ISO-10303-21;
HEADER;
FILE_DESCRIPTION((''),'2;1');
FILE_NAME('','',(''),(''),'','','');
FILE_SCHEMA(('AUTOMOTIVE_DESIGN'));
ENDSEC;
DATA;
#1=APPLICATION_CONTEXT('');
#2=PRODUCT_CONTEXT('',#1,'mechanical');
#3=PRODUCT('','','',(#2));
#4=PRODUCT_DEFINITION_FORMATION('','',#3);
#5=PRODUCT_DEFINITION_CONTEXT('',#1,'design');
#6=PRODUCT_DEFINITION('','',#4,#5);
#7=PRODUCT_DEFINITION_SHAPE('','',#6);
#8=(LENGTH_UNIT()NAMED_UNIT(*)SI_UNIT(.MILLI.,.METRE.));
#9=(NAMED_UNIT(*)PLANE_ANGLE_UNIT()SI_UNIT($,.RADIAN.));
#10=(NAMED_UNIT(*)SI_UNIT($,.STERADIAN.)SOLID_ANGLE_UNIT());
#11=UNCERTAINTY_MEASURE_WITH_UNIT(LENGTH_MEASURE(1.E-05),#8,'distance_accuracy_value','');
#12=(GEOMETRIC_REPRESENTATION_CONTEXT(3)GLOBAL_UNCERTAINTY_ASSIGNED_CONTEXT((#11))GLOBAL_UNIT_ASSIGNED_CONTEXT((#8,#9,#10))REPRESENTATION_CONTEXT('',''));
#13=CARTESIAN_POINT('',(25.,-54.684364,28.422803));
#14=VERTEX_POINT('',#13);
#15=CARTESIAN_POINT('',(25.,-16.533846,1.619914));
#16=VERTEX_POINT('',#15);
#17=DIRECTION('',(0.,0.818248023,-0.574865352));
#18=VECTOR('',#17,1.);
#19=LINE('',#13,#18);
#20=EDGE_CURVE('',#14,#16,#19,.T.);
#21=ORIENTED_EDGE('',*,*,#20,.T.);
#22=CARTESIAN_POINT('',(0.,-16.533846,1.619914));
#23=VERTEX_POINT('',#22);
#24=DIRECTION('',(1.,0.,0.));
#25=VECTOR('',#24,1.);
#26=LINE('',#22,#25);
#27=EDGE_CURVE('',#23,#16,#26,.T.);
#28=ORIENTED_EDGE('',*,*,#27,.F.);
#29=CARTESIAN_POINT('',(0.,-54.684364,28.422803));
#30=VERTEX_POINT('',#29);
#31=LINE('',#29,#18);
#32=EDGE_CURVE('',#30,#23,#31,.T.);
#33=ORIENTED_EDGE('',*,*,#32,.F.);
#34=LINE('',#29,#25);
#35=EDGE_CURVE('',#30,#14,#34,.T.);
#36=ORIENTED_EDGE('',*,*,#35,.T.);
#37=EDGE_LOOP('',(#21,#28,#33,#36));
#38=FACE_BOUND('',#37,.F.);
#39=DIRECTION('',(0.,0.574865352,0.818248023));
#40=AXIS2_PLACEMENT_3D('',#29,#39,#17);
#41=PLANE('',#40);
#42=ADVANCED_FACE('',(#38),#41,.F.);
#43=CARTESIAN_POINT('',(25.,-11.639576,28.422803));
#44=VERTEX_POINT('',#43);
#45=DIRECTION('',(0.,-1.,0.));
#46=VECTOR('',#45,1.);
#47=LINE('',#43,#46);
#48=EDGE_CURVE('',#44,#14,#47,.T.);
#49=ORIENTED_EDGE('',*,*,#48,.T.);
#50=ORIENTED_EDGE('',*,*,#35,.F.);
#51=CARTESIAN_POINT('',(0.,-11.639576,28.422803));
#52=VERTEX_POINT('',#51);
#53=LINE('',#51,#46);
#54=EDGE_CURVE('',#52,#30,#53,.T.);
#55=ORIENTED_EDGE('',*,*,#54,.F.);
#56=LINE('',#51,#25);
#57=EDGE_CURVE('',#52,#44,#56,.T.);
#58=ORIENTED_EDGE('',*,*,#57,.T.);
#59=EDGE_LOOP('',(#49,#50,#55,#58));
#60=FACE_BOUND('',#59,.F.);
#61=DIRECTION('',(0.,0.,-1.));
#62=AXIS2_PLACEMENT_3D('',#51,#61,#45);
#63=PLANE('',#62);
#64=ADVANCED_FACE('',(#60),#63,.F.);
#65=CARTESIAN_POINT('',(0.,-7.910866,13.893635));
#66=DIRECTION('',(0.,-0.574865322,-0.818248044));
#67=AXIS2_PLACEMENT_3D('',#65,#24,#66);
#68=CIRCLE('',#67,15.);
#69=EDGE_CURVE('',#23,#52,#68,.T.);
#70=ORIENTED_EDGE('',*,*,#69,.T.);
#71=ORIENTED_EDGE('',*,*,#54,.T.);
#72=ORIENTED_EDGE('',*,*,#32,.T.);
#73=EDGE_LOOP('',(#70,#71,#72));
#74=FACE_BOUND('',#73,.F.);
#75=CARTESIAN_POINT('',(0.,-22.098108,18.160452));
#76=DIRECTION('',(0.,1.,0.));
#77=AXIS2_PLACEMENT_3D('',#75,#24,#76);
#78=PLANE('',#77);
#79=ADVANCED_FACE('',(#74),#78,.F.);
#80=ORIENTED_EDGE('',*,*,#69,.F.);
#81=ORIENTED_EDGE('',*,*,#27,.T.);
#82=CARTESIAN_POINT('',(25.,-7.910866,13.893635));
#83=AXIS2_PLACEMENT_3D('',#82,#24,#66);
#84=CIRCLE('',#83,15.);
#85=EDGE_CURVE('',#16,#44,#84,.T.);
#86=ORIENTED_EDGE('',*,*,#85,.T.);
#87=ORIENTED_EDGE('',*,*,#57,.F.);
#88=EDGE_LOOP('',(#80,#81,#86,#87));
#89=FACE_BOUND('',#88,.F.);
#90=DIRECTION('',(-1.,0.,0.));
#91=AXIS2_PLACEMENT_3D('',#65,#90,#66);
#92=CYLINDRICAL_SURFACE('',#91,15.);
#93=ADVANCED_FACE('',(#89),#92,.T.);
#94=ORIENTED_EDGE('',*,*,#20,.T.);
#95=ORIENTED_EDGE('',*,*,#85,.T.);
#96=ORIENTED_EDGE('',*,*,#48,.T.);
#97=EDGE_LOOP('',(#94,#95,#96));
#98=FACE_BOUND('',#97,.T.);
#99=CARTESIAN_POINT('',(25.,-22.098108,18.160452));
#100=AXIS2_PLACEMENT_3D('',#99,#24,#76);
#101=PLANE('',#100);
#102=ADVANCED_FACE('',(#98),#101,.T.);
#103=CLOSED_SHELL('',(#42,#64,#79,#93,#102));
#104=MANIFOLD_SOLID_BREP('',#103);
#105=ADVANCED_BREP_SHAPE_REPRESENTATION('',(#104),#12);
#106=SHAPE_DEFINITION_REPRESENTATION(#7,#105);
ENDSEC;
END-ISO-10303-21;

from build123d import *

# Parameters (mm, degrees)
F1_DEPTH = 25


with BuildPart() as f1:
    # F0 (on Right) → F1 (new body)
    with BuildSketch(Plane.YZ):
        with BuildLine():
            Line((-54.684364, 28.422803), (-16.533846, 1.619914))
            ThreePointArc((-16.533846, 1.619914), (6.845142, 11.199153), (-11.639576, 28.422803))
            Line((-11.639576, 28.422803), (-54.684364, 28.422803))
        make_face()
    extrude(amount=F1_DEPTH)


solid = f1.part
